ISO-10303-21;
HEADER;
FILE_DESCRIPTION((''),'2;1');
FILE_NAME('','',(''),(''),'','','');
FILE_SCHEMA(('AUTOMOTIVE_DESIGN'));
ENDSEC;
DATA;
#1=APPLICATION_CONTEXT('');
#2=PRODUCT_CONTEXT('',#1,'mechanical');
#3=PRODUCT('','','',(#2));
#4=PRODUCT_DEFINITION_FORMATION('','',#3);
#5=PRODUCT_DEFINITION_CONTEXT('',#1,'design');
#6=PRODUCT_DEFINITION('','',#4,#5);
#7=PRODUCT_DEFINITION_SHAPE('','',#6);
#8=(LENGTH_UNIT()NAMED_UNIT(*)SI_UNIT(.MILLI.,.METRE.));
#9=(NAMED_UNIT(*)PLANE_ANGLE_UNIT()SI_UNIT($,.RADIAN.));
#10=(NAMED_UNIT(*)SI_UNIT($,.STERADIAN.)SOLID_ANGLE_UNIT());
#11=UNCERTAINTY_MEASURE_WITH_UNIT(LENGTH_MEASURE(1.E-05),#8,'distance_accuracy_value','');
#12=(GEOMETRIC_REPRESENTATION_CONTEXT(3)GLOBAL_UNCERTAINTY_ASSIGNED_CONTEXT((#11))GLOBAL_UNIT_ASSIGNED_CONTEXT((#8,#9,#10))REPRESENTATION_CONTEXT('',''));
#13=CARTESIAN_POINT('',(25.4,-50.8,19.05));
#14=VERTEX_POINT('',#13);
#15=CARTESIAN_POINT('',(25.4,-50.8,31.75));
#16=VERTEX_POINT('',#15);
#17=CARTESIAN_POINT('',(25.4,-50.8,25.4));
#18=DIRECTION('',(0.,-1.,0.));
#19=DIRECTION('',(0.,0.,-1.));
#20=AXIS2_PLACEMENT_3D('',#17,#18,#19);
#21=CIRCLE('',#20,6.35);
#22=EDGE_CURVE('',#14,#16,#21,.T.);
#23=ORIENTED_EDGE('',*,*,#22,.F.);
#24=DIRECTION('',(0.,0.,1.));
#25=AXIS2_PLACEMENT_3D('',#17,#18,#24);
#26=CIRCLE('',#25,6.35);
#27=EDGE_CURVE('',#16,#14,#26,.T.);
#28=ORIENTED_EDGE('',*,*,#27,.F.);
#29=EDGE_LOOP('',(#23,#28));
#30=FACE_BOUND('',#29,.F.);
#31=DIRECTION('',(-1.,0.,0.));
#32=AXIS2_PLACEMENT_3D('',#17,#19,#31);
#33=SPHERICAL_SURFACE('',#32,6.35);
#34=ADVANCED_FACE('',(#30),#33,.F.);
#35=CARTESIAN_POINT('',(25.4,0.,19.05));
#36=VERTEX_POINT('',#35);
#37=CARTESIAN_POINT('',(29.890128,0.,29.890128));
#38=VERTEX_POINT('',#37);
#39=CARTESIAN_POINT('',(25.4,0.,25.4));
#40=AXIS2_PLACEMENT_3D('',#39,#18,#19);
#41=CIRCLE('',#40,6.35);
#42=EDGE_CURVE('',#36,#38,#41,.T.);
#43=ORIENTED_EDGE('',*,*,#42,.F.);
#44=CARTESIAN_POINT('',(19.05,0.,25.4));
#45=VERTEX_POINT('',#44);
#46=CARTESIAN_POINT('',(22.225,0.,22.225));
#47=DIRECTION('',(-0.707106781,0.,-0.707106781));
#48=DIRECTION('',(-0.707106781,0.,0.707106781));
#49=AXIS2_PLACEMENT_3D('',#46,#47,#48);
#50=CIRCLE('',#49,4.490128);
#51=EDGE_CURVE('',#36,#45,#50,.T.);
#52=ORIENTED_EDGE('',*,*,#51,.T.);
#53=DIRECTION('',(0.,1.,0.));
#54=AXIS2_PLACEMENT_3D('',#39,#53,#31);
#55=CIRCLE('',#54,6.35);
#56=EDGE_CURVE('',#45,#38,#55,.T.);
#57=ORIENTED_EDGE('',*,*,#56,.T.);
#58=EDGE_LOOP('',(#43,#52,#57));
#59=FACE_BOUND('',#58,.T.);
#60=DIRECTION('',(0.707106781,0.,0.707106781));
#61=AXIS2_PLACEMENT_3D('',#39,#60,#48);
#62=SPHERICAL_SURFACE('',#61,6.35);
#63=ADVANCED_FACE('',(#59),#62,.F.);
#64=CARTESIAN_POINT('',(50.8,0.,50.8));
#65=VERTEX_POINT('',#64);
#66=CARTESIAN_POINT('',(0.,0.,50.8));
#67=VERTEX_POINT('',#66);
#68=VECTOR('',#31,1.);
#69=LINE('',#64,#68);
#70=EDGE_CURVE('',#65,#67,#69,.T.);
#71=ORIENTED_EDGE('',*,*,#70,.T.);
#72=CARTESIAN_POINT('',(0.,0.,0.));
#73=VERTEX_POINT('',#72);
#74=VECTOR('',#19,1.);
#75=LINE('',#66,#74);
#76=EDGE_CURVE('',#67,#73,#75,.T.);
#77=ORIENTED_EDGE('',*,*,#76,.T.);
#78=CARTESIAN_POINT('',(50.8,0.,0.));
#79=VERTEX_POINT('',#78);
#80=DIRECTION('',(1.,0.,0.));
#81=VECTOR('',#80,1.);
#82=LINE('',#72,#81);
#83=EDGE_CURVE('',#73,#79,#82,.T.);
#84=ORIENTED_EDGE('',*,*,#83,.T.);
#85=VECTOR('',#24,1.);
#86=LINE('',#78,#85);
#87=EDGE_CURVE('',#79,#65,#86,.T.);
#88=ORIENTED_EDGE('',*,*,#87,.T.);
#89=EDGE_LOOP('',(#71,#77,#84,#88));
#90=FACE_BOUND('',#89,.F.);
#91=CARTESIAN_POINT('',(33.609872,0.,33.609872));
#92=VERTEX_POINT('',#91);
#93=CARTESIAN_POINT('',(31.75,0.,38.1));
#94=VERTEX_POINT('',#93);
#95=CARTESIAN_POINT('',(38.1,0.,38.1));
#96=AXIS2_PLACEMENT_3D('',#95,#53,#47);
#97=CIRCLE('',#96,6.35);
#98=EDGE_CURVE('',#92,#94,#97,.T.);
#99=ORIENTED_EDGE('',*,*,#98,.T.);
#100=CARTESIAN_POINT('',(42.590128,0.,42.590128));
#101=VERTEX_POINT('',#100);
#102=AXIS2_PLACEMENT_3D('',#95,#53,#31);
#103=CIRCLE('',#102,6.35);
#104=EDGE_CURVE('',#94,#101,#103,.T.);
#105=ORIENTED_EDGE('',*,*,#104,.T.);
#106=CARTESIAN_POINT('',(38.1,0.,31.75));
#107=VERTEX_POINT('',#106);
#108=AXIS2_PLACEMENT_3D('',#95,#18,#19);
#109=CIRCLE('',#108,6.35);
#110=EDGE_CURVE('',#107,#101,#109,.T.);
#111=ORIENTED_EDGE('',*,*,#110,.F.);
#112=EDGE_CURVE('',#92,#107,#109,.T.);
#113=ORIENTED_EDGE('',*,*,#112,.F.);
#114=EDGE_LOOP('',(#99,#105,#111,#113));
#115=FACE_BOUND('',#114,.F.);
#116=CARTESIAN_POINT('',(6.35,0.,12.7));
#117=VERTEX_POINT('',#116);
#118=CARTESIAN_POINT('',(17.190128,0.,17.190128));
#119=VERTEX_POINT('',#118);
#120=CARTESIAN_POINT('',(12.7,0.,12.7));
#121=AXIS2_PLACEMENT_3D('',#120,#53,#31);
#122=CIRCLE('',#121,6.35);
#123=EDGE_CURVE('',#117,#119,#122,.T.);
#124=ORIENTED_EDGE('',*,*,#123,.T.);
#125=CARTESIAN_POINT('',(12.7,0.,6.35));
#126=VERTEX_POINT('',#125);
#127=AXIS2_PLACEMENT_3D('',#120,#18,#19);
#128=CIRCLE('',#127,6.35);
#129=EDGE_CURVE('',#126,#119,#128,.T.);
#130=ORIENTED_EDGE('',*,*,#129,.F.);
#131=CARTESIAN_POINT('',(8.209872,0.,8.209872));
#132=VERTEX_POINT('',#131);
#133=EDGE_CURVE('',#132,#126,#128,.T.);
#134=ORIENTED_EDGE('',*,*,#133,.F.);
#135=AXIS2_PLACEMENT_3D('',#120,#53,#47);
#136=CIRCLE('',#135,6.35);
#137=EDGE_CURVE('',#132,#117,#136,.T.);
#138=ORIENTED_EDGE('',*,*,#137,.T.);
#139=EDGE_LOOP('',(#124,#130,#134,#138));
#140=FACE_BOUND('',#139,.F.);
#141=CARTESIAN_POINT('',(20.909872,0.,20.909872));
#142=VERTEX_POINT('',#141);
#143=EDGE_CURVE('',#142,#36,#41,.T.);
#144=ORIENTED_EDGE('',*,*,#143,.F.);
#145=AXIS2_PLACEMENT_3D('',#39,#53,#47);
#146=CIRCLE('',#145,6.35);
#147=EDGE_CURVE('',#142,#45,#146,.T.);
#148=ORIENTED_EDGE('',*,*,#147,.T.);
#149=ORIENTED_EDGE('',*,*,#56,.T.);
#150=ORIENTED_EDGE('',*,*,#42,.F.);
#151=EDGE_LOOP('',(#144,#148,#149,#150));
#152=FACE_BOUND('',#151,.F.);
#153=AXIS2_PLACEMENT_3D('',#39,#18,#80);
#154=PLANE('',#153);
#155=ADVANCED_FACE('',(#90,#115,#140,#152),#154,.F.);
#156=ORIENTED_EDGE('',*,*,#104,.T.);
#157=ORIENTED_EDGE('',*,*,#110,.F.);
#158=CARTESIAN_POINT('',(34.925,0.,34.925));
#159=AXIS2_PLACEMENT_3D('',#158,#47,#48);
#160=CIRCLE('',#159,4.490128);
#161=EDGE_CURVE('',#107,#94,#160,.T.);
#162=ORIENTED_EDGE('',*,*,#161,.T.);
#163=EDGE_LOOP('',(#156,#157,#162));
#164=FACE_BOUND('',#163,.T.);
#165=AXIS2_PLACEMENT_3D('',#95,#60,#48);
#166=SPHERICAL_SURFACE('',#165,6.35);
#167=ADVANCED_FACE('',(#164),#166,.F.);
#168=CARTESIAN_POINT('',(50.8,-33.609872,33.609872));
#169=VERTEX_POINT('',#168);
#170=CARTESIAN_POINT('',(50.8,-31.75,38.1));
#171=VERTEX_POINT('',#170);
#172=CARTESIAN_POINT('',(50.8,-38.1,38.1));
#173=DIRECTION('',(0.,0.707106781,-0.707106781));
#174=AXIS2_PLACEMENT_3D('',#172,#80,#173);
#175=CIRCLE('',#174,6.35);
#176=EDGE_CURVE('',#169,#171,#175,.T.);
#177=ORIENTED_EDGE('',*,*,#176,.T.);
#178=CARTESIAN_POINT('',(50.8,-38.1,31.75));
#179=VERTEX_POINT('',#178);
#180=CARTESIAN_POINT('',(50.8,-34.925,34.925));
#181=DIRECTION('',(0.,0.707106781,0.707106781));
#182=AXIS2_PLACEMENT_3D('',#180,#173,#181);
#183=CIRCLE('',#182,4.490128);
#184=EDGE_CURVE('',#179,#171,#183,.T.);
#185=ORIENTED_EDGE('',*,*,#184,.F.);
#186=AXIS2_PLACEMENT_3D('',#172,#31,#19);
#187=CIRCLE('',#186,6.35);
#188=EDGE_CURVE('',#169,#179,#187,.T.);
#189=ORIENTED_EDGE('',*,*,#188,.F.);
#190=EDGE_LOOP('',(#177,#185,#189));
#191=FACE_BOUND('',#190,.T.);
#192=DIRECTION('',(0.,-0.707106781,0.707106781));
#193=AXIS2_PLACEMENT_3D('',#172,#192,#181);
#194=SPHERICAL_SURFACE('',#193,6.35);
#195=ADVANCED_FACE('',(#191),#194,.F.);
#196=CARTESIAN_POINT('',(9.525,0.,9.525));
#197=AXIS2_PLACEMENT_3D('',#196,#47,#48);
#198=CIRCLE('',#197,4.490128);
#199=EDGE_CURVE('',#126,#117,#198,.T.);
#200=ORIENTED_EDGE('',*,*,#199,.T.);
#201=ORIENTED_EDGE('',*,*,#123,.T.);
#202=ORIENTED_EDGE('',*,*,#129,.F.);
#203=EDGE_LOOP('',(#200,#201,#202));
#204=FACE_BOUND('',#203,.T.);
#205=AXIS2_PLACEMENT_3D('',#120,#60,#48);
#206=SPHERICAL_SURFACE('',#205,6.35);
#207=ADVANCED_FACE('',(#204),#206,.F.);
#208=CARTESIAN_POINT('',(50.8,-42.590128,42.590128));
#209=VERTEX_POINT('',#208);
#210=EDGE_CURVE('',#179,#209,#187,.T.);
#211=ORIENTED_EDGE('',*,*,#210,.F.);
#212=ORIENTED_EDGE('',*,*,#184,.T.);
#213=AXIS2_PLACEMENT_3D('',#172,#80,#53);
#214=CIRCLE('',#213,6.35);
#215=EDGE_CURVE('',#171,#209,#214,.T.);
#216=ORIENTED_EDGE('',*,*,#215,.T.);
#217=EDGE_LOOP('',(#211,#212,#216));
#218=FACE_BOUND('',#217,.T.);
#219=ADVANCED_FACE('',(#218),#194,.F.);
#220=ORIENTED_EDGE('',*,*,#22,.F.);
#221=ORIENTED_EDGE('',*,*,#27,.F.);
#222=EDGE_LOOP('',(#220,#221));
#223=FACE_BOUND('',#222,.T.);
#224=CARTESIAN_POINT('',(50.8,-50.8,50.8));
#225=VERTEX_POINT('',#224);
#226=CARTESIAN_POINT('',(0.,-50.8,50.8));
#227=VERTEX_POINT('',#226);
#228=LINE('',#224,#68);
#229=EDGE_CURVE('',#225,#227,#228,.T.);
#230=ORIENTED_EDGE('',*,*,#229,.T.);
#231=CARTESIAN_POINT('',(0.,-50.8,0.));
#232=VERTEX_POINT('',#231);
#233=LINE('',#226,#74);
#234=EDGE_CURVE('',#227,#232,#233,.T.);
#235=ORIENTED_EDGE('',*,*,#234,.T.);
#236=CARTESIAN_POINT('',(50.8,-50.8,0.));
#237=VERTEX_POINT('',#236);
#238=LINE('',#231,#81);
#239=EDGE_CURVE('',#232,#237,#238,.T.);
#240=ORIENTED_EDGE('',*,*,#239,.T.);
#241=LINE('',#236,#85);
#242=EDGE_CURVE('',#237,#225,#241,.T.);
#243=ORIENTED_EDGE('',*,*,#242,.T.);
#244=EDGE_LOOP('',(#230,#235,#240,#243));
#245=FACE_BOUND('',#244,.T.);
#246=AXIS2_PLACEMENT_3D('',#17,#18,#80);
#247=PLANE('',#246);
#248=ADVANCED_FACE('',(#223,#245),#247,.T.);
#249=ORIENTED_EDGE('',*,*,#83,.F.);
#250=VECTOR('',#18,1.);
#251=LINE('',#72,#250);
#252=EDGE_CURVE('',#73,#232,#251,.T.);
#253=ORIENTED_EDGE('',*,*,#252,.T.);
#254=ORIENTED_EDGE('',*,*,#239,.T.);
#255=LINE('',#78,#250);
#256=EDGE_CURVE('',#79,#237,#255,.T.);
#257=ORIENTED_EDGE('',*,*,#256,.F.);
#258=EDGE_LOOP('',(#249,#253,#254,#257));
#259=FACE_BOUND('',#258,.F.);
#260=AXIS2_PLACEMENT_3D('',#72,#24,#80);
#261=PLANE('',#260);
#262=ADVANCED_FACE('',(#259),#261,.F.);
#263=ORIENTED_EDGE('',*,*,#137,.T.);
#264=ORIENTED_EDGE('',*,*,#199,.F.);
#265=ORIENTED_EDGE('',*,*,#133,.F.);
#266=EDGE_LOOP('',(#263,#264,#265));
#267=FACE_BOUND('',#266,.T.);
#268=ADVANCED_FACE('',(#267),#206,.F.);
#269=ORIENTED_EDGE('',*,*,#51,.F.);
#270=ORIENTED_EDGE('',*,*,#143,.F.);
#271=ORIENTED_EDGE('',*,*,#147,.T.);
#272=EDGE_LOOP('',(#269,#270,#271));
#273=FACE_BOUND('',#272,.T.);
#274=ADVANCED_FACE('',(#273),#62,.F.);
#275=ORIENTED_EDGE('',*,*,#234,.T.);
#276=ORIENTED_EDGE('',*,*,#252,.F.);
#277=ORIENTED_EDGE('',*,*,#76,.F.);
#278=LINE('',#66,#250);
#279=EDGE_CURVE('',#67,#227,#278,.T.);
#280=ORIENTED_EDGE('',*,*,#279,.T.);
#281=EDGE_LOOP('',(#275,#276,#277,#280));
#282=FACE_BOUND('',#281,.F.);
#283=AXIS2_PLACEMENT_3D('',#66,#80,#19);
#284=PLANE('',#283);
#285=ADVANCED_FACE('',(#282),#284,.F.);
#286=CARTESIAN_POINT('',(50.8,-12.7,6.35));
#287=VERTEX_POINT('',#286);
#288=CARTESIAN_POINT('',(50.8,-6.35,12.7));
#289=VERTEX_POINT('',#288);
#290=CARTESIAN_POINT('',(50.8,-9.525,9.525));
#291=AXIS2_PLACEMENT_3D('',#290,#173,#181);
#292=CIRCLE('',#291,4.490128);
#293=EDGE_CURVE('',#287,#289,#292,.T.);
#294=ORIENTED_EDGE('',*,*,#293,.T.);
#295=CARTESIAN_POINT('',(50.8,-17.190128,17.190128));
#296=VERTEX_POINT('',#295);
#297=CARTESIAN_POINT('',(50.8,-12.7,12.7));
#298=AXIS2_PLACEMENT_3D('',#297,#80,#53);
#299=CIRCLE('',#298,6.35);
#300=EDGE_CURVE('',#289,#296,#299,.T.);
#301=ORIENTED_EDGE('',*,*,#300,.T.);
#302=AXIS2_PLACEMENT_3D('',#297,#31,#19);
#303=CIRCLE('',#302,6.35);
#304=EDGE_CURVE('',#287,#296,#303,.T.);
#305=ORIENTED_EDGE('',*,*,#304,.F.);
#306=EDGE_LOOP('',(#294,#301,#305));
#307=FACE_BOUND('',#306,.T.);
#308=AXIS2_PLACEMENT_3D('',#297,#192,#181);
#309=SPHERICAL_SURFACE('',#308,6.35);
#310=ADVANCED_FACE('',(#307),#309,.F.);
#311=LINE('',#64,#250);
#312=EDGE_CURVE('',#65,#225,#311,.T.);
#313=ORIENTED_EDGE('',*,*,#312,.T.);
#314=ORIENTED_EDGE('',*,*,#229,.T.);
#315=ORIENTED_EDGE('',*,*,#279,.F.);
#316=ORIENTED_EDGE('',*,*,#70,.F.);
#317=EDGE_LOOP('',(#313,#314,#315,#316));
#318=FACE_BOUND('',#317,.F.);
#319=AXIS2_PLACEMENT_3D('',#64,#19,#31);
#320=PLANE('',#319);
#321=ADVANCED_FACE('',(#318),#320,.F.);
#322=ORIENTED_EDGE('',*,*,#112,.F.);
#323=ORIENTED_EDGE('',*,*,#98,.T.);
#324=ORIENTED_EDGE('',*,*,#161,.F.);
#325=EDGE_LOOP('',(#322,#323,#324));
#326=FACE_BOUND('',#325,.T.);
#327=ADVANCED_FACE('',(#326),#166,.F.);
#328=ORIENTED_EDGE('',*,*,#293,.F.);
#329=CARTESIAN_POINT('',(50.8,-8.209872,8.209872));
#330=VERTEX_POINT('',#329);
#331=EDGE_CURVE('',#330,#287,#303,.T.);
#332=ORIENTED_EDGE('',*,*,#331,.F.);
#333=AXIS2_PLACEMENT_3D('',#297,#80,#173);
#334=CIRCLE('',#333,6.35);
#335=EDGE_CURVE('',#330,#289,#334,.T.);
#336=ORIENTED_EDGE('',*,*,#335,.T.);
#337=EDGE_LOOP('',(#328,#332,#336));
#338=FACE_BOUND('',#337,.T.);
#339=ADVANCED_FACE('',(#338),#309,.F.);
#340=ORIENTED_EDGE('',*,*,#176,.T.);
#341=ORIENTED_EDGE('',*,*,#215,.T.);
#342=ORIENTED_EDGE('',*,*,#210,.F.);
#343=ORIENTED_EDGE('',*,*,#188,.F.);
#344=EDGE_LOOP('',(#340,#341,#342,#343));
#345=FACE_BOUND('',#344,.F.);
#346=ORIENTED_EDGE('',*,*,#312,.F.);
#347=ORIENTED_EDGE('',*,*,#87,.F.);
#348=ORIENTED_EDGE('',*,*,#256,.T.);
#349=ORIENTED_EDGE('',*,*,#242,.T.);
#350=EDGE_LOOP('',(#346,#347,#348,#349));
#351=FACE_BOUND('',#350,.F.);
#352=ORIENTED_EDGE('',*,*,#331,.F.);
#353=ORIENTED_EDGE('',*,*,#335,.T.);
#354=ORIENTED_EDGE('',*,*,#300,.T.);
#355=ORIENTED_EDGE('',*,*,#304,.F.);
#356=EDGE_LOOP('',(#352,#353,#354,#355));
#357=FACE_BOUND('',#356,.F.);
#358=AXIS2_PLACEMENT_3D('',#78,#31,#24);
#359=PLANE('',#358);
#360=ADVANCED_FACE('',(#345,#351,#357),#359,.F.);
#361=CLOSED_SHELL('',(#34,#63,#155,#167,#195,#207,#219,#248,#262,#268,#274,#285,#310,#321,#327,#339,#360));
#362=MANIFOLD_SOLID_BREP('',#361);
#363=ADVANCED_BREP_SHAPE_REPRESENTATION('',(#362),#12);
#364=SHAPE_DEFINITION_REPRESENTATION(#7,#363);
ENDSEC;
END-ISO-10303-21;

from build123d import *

# Parameters (mm, degrees)
F1_DEPTH = 50.8


with BuildPart() as f1:
    # F0 (on Front) → F1 (new body)
    with BuildSketch(Plane.XZ):
        Polygon((0, 50.8), (0, 0), (50.8, 0), (50.8, 2.1089113951), (50.8, 50.8), align=None)
    extrude(amount=F1_DEPTH)

    # F2 (on face) → F3 (revolve, cut)
    with BuildSketch(Plane.YZ.offset(50.8)):
        with BuildLine():
            ThreePointArc((-31.75, 38.1), (-35.6699602045, 43.9666350314), (-42.5901280605, 42.5901280605))
            Line((-42.5901280605, 42.5901280605), (-33.6098719395, 33.6098719395))
            ThreePointArc((-33.6098719395, 33.6098719395), (-32.2333649686, 35.6699602045), (-31.75, 38.1))
        make_face()
        with BuildLine():
            ThreePointArc((-6.35, 12.7), (-10.2699602045, 18.5666350314), (-17.1901280605, 17.1901280605))
            Line((-17.1901280605, 17.1901280605), (-8.2098719395, 8.2098719395))
            ThreePointArc((-8.2098719395, 8.2098719395), (-6.8333649686, 10.2699602045), (-6.35, 12.7))
        make_face()
    revolve(axis=Axis((50.8, -25.4, 25.4), (0, 0.7071067812, -0.7071067812)), mode=Mode.SUBTRACT)

    # F4 (on face) → F5 (revolve, cut)
    with BuildSketch(Plane.XZ.offset(50.8)):
        with BuildLine():
            Line((25.4, 19.05), (25.4, 31.75))
            ThreePointArc((25.4, 31.75), (19.05, 25.4), (25.4, 19.05))
        make_face()
    revolve(axis=Axis((25.4, -50.8, 25.4), (0, 0, -1)), mode=Mode.SUBTRACT)

    # F6 (on face) → F7 (revolve, cut)
    with BuildSketch(Plane(origin=(0, 0, 0), x_dir=(-1, 0, 0), z_dir=(0, 1, 0))):
        with BuildLine():
            Line((-17.1901280605, 17.1901280605), (-8.2098719395, 8.2098719395))
            ThreePointArc((-8.2098719395, 8.2098719395), (-6.8333649686, 10.2699602045), (-6.35, 12.7))
            ThreePointArc((-6.35, 12.7), (-10.2699602045, 18.5666350314), (-17.1901280605, 17.1901280605))
        make_face()
        with BuildLine():
            ThreePointArc((-19.05, 25.4), (-22.9699602045, 31.2666350314), (-29.8901280605, 29.8901280605))
            Line((-29.8901280605, 29.8901280605), (-20.9098719395, 20.9098719395))
            ThreePointArc((-20.9098719395, 20.9098719395), (-19.5333649686, 22.9699602045), (-19.05, 25.4))
        make_face()
        with BuildLine():
            ThreePointArc((-31.75, 38.1), (-35.6699602045, 43.9666350314), (-42.5901280605, 42.5901280605))
            Line((-42.5901280605, 42.5901280605), (-33.6098719395, 33.6098719395))
            ThreePointArc((-33.6098719395, 33.6098719395), (-32.2333649686, 35.6699602045), (-31.75, 38.1))
        make_face()
    revolve(axis=Axis((25.4, 0, 25.4), (-0.7071067812, 0, -0.7071067812)), mode=Mode.SUBTRACT)


solid = f1.part
